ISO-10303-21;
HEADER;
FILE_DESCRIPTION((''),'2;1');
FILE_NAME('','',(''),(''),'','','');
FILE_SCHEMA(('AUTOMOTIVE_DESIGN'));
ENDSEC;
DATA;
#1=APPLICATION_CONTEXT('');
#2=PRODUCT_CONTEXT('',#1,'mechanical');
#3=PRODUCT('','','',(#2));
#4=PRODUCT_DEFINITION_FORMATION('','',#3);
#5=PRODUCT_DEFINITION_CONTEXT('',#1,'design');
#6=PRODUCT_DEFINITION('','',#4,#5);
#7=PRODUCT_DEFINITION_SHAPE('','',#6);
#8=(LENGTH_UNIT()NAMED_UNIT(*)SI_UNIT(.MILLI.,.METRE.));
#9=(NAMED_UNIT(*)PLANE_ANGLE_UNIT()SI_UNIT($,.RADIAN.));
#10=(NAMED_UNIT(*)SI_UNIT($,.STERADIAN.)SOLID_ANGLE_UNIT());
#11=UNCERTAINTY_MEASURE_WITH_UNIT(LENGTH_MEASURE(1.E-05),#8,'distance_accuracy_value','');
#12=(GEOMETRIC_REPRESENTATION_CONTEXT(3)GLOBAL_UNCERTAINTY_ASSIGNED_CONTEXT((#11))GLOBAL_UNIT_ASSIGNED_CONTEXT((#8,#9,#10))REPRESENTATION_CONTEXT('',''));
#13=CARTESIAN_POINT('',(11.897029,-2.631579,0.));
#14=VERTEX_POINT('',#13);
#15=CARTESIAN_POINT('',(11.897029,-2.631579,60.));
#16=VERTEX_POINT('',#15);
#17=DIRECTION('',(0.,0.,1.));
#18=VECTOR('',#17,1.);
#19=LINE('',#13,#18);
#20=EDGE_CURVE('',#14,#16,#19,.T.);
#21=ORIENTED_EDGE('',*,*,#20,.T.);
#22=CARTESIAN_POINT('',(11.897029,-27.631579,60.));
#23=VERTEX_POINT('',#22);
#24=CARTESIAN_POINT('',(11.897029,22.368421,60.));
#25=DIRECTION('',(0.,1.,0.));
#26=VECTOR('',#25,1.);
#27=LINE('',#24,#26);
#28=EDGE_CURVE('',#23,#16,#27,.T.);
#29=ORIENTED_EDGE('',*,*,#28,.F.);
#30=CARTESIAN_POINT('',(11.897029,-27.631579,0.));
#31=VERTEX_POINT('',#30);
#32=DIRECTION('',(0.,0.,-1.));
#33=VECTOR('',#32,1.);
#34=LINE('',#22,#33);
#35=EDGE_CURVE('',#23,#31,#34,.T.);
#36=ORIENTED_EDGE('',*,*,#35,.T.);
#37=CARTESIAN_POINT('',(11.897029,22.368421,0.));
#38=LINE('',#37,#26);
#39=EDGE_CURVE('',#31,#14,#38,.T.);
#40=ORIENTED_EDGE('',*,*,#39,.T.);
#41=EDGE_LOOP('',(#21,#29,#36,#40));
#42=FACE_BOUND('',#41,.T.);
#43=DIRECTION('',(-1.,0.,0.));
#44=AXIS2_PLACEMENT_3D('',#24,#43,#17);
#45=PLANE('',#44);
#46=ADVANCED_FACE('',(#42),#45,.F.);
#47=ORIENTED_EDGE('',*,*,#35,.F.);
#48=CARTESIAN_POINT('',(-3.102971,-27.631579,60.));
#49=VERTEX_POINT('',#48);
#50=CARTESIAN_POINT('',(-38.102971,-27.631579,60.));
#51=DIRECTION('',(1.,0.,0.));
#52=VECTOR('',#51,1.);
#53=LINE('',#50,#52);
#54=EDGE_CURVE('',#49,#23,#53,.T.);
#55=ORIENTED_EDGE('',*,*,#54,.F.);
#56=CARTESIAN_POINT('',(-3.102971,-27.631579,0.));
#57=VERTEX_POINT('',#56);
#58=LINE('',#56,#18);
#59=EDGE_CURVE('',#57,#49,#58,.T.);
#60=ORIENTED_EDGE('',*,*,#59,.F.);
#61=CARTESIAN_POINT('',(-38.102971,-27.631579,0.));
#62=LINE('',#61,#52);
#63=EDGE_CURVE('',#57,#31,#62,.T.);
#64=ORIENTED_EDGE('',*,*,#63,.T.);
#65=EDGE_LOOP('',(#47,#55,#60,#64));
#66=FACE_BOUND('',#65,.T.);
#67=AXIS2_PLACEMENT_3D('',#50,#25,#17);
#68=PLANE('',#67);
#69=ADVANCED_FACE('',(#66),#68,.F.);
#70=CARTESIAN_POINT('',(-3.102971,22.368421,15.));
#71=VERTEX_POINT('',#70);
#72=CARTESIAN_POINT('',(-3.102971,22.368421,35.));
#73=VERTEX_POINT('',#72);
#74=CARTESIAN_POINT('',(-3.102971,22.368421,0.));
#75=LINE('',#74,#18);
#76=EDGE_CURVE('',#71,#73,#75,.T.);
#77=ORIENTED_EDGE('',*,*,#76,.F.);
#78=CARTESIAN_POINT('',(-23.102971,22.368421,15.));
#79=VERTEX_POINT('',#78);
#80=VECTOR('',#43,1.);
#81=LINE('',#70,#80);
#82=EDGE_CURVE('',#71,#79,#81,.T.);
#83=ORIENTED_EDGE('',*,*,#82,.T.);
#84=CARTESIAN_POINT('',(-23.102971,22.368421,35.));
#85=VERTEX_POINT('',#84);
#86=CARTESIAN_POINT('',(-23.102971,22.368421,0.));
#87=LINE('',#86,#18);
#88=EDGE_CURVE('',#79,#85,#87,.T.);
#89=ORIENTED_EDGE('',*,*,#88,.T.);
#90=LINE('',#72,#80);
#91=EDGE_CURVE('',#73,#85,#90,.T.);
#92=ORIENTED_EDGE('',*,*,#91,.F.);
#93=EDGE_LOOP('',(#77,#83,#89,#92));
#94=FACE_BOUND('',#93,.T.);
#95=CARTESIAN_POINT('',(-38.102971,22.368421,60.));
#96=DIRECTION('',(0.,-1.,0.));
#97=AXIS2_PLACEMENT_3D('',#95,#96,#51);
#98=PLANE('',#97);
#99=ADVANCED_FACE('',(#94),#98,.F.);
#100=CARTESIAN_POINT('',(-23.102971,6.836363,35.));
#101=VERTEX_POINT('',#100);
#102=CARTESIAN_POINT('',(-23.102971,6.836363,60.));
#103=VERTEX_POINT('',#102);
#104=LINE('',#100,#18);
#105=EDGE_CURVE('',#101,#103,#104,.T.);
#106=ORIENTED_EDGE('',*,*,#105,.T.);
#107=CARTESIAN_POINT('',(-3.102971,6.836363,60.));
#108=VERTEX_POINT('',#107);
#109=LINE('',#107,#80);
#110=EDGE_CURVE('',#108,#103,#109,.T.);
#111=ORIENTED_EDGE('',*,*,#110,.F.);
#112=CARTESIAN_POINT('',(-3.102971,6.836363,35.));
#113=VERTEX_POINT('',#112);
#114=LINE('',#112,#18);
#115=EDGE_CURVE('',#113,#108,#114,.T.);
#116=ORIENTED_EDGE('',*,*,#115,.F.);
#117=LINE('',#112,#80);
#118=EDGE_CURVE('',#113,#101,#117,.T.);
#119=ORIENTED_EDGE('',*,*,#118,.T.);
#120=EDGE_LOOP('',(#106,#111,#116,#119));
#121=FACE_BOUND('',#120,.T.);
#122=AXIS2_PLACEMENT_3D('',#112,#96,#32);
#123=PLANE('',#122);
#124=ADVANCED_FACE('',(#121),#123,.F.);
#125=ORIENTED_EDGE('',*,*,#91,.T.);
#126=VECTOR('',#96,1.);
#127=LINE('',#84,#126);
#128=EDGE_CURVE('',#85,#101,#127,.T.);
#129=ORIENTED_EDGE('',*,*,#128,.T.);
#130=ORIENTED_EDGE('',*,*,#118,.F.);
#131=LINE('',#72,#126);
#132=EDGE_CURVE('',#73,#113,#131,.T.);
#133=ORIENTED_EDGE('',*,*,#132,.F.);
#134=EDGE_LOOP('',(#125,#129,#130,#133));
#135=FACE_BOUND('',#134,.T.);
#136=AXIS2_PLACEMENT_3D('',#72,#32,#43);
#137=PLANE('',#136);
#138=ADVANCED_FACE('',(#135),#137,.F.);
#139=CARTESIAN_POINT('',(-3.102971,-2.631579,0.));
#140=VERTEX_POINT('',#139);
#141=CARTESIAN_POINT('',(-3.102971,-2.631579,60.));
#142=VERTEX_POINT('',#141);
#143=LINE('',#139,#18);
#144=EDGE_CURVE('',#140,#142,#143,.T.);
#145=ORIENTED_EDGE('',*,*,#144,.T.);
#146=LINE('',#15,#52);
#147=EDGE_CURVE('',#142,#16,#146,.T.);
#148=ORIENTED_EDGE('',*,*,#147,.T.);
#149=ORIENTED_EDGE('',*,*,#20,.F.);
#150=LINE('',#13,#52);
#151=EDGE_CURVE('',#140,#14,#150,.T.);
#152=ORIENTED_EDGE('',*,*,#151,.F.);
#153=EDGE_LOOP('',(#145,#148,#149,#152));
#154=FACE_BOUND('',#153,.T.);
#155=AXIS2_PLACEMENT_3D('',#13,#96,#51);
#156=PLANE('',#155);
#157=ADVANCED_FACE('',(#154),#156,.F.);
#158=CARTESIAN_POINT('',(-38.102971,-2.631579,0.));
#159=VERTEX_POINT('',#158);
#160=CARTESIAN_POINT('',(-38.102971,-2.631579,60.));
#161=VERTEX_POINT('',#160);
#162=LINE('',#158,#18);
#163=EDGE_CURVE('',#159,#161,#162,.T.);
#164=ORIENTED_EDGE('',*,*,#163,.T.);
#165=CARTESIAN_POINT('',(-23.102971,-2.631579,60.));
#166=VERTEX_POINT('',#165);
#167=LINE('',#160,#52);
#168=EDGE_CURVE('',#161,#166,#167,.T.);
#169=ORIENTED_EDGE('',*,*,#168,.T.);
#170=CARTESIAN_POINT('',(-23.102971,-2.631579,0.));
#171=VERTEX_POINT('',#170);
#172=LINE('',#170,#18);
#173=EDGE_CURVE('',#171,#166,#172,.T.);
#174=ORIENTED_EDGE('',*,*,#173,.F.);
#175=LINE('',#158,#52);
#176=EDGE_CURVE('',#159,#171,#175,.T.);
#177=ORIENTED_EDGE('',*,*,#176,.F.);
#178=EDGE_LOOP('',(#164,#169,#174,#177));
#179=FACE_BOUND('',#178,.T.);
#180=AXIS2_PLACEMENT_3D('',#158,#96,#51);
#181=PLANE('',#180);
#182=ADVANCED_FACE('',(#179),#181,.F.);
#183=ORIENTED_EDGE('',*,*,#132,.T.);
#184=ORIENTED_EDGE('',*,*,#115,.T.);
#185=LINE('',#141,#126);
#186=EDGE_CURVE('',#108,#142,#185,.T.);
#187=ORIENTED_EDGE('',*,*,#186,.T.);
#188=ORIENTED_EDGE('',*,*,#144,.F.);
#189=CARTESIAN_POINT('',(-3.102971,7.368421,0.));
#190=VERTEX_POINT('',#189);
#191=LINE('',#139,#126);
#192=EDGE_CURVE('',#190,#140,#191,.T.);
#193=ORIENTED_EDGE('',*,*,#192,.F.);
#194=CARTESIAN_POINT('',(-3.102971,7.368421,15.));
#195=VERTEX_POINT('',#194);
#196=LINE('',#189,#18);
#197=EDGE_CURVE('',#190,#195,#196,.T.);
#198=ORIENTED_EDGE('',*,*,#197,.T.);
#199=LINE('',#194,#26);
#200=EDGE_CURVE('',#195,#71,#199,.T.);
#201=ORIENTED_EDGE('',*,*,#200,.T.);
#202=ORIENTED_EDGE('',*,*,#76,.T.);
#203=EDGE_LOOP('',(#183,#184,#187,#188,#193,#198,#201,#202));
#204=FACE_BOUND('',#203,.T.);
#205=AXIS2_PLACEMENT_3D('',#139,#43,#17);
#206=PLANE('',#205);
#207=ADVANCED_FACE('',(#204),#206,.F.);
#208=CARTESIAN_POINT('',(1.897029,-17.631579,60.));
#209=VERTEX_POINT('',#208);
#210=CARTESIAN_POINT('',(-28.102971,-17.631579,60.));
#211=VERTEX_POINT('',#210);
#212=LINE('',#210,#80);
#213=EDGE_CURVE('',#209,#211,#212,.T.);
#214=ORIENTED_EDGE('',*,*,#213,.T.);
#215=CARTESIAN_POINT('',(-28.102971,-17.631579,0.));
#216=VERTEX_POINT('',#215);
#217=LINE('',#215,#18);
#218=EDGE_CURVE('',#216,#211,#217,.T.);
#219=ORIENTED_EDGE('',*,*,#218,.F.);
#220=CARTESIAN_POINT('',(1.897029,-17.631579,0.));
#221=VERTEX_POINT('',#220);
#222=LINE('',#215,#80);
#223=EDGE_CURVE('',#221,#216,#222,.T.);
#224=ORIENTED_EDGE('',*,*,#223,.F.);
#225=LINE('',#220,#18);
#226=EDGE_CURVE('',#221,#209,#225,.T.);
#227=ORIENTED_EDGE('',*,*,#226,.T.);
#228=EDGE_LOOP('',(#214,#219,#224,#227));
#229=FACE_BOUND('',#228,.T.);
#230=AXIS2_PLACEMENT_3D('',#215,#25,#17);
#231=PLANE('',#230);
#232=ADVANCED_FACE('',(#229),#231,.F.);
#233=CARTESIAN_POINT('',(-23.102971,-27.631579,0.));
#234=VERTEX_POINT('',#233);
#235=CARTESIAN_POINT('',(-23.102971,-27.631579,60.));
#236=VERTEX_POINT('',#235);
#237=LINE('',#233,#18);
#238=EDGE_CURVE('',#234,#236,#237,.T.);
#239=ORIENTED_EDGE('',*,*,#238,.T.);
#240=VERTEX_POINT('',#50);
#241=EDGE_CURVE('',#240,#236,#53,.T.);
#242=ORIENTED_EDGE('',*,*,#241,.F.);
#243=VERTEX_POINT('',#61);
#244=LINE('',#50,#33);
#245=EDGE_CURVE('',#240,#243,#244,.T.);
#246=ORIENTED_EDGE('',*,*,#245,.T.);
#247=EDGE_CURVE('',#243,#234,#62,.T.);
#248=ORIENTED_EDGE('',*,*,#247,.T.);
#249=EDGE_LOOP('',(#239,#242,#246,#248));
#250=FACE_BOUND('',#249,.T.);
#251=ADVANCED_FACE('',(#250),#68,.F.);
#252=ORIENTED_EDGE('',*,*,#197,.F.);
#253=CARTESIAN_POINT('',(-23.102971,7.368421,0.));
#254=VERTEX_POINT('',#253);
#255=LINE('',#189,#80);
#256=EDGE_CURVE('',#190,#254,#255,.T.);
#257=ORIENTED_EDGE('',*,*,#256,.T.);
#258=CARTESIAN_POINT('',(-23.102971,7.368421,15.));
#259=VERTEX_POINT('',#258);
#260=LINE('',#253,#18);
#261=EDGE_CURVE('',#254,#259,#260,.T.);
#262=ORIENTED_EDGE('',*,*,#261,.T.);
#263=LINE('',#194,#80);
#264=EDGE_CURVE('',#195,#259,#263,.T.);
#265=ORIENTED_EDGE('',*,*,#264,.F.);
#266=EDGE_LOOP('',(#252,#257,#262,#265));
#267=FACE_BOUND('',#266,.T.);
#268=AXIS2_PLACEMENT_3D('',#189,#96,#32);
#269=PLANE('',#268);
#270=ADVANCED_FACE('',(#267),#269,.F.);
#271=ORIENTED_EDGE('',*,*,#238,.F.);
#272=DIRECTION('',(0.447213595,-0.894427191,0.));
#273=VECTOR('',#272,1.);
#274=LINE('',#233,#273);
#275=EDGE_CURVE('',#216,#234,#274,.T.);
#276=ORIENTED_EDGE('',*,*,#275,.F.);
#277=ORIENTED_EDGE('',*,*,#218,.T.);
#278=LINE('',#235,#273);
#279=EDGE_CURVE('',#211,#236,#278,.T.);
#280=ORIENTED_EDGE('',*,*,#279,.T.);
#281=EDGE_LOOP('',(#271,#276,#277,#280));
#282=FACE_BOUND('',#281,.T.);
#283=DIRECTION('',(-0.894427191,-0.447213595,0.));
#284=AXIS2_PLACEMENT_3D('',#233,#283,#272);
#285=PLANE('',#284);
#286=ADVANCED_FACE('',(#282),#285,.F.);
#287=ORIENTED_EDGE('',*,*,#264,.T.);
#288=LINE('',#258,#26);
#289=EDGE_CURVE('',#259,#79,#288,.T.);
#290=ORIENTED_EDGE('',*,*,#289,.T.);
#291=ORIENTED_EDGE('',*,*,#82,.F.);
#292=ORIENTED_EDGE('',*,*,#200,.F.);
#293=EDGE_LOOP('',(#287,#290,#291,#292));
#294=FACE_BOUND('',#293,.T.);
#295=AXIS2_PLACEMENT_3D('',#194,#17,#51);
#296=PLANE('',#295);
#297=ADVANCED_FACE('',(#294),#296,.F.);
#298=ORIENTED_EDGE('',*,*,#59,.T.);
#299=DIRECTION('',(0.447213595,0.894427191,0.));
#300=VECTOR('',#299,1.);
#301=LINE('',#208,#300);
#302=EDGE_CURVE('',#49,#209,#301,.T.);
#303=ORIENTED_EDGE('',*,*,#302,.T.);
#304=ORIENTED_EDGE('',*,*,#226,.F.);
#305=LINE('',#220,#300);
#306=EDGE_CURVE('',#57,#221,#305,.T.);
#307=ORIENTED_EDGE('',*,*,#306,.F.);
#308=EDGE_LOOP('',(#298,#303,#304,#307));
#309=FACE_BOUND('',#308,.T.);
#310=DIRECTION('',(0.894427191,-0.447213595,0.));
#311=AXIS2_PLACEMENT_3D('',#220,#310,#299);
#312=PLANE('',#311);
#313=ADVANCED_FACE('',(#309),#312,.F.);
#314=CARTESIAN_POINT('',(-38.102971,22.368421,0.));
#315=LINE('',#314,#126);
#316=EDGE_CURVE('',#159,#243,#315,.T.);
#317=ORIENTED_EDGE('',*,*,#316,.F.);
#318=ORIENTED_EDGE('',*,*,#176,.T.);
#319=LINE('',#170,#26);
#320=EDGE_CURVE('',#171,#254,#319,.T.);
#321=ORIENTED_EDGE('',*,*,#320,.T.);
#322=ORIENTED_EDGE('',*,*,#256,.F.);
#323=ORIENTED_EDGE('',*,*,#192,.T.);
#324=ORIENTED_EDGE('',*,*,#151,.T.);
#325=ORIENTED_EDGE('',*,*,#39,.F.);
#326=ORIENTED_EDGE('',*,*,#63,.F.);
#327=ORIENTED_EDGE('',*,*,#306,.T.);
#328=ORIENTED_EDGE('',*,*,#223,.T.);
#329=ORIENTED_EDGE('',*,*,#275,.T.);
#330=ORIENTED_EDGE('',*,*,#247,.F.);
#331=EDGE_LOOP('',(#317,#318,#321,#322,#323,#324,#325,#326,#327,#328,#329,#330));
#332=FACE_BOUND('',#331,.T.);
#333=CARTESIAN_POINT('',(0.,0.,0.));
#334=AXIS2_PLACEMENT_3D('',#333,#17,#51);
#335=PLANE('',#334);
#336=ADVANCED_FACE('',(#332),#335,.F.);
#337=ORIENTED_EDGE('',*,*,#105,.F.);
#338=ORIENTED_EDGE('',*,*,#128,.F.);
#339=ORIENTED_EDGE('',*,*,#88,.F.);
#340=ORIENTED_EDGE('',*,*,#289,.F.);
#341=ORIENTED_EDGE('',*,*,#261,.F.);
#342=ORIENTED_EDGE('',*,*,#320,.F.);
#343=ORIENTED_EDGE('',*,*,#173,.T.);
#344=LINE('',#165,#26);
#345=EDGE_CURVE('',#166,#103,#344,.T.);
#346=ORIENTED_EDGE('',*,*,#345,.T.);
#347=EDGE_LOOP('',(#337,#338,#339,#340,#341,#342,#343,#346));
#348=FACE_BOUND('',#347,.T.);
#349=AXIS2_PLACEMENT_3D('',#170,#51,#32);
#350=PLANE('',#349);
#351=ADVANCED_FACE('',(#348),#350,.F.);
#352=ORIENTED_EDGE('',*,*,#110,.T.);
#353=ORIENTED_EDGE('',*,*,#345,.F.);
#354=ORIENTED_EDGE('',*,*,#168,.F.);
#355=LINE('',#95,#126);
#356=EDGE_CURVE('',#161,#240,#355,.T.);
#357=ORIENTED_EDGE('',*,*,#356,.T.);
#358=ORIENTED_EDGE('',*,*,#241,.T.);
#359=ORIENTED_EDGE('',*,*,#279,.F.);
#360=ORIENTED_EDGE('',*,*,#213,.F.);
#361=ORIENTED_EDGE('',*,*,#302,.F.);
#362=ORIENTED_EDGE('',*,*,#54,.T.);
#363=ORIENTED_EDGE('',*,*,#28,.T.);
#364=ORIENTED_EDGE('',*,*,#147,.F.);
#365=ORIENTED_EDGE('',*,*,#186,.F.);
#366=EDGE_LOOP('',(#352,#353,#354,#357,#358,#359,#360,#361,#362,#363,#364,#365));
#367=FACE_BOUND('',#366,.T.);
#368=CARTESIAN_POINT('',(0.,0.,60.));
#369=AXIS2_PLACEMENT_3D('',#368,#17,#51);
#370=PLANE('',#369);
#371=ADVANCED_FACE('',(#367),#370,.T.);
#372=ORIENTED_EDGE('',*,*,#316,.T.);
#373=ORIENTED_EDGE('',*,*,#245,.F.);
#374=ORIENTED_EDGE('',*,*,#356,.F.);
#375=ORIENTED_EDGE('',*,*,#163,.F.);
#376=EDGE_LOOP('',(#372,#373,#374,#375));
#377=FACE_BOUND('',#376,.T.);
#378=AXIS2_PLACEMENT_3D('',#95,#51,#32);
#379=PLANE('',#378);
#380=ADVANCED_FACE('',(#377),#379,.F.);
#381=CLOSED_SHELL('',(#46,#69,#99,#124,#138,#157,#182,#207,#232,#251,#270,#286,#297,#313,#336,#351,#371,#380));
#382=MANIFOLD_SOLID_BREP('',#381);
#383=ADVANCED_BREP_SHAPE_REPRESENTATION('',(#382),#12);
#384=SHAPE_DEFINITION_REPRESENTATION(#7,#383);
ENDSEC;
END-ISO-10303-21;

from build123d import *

# Parameters (mm, degrees)
IZIM1_W                     = 50
IZIM1_H                     = 50
Y_KSEKLIK_EKSTR_ZYON1_DEPTH = 60
KES_EKSTR_ZYON1_DEPTH       = 60
IZIM3_W                     = 15
IZIM3_H                     = 25
KES_EKSTR_ZYON2_DEPTH       = 60
IZIM4_W                     = 15
IZIM4_H                     = 15
IZIM4_W_2                   = 25
IZIM4_H_2                   = 15.532057861
KES_EKSTR_ZYON3_DEPTH       = 20


with BuildPart() as part:
    # Çizim1 → Yükseklik-Ekstrüzyon1 (new body)
    with BuildSketch(Plane.XY):
        with Locations((-13.102970675, -2.631578947)):
            Rectangle(IZIM1_W, IZIM1_H)
    extrude(amount=Y_KSEKLIK_EKSTR_ZYON1_DEPTH)

    # Çizim2 → Kes-Ekstrüzyon1 (cut)
    with BuildSketch(Plane.XY.offset(60)):
        Polygon((-28.102970675, -17.631578947), (1.897029325, -17.631578947), (-3.102970675, -27.631578947), (-23.102970675, -27.631578947), align=None)
    extrude(amount=-KES_EKSTR_ZYON1_DEPTH, mode=Mode.SUBTRACT)

    # Çizim3 → Kes-Ekstrüzyon2 (cut)
    with BuildSketch(Plane.XY.offset(60)):
        with Locations((4.397029325, 9.868421053)):
            Rectangle(IZIM3_W, IZIM3_H)
        with Locations((-30.602970675, 9.868421053)):
            Rectangle(IZIM3_W, IZIM3_H)
    extrude(amount=-KES_EKSTR_ZYON2_DEPTH, mode=Mode.SUBTRACT)

    # Çizim4 → Kes-Ekstrüzyon3 (cut)
    with BuildSketch(Plane.ZY.offset(23.102970675)):
        with Locations((7.5, 14.868421053)):
            Rectangle(IZIM4_W, IZIM4_H)
        with Locations((47.5, 14.602392123)):
            Rectangle(IZIM4_W_2, IZIM4_H_2)
    extrude(amount=-KES_EKSTR_ZYON3_DEPTH, mode=Mode.SUBTRACT)


solid = part.part
